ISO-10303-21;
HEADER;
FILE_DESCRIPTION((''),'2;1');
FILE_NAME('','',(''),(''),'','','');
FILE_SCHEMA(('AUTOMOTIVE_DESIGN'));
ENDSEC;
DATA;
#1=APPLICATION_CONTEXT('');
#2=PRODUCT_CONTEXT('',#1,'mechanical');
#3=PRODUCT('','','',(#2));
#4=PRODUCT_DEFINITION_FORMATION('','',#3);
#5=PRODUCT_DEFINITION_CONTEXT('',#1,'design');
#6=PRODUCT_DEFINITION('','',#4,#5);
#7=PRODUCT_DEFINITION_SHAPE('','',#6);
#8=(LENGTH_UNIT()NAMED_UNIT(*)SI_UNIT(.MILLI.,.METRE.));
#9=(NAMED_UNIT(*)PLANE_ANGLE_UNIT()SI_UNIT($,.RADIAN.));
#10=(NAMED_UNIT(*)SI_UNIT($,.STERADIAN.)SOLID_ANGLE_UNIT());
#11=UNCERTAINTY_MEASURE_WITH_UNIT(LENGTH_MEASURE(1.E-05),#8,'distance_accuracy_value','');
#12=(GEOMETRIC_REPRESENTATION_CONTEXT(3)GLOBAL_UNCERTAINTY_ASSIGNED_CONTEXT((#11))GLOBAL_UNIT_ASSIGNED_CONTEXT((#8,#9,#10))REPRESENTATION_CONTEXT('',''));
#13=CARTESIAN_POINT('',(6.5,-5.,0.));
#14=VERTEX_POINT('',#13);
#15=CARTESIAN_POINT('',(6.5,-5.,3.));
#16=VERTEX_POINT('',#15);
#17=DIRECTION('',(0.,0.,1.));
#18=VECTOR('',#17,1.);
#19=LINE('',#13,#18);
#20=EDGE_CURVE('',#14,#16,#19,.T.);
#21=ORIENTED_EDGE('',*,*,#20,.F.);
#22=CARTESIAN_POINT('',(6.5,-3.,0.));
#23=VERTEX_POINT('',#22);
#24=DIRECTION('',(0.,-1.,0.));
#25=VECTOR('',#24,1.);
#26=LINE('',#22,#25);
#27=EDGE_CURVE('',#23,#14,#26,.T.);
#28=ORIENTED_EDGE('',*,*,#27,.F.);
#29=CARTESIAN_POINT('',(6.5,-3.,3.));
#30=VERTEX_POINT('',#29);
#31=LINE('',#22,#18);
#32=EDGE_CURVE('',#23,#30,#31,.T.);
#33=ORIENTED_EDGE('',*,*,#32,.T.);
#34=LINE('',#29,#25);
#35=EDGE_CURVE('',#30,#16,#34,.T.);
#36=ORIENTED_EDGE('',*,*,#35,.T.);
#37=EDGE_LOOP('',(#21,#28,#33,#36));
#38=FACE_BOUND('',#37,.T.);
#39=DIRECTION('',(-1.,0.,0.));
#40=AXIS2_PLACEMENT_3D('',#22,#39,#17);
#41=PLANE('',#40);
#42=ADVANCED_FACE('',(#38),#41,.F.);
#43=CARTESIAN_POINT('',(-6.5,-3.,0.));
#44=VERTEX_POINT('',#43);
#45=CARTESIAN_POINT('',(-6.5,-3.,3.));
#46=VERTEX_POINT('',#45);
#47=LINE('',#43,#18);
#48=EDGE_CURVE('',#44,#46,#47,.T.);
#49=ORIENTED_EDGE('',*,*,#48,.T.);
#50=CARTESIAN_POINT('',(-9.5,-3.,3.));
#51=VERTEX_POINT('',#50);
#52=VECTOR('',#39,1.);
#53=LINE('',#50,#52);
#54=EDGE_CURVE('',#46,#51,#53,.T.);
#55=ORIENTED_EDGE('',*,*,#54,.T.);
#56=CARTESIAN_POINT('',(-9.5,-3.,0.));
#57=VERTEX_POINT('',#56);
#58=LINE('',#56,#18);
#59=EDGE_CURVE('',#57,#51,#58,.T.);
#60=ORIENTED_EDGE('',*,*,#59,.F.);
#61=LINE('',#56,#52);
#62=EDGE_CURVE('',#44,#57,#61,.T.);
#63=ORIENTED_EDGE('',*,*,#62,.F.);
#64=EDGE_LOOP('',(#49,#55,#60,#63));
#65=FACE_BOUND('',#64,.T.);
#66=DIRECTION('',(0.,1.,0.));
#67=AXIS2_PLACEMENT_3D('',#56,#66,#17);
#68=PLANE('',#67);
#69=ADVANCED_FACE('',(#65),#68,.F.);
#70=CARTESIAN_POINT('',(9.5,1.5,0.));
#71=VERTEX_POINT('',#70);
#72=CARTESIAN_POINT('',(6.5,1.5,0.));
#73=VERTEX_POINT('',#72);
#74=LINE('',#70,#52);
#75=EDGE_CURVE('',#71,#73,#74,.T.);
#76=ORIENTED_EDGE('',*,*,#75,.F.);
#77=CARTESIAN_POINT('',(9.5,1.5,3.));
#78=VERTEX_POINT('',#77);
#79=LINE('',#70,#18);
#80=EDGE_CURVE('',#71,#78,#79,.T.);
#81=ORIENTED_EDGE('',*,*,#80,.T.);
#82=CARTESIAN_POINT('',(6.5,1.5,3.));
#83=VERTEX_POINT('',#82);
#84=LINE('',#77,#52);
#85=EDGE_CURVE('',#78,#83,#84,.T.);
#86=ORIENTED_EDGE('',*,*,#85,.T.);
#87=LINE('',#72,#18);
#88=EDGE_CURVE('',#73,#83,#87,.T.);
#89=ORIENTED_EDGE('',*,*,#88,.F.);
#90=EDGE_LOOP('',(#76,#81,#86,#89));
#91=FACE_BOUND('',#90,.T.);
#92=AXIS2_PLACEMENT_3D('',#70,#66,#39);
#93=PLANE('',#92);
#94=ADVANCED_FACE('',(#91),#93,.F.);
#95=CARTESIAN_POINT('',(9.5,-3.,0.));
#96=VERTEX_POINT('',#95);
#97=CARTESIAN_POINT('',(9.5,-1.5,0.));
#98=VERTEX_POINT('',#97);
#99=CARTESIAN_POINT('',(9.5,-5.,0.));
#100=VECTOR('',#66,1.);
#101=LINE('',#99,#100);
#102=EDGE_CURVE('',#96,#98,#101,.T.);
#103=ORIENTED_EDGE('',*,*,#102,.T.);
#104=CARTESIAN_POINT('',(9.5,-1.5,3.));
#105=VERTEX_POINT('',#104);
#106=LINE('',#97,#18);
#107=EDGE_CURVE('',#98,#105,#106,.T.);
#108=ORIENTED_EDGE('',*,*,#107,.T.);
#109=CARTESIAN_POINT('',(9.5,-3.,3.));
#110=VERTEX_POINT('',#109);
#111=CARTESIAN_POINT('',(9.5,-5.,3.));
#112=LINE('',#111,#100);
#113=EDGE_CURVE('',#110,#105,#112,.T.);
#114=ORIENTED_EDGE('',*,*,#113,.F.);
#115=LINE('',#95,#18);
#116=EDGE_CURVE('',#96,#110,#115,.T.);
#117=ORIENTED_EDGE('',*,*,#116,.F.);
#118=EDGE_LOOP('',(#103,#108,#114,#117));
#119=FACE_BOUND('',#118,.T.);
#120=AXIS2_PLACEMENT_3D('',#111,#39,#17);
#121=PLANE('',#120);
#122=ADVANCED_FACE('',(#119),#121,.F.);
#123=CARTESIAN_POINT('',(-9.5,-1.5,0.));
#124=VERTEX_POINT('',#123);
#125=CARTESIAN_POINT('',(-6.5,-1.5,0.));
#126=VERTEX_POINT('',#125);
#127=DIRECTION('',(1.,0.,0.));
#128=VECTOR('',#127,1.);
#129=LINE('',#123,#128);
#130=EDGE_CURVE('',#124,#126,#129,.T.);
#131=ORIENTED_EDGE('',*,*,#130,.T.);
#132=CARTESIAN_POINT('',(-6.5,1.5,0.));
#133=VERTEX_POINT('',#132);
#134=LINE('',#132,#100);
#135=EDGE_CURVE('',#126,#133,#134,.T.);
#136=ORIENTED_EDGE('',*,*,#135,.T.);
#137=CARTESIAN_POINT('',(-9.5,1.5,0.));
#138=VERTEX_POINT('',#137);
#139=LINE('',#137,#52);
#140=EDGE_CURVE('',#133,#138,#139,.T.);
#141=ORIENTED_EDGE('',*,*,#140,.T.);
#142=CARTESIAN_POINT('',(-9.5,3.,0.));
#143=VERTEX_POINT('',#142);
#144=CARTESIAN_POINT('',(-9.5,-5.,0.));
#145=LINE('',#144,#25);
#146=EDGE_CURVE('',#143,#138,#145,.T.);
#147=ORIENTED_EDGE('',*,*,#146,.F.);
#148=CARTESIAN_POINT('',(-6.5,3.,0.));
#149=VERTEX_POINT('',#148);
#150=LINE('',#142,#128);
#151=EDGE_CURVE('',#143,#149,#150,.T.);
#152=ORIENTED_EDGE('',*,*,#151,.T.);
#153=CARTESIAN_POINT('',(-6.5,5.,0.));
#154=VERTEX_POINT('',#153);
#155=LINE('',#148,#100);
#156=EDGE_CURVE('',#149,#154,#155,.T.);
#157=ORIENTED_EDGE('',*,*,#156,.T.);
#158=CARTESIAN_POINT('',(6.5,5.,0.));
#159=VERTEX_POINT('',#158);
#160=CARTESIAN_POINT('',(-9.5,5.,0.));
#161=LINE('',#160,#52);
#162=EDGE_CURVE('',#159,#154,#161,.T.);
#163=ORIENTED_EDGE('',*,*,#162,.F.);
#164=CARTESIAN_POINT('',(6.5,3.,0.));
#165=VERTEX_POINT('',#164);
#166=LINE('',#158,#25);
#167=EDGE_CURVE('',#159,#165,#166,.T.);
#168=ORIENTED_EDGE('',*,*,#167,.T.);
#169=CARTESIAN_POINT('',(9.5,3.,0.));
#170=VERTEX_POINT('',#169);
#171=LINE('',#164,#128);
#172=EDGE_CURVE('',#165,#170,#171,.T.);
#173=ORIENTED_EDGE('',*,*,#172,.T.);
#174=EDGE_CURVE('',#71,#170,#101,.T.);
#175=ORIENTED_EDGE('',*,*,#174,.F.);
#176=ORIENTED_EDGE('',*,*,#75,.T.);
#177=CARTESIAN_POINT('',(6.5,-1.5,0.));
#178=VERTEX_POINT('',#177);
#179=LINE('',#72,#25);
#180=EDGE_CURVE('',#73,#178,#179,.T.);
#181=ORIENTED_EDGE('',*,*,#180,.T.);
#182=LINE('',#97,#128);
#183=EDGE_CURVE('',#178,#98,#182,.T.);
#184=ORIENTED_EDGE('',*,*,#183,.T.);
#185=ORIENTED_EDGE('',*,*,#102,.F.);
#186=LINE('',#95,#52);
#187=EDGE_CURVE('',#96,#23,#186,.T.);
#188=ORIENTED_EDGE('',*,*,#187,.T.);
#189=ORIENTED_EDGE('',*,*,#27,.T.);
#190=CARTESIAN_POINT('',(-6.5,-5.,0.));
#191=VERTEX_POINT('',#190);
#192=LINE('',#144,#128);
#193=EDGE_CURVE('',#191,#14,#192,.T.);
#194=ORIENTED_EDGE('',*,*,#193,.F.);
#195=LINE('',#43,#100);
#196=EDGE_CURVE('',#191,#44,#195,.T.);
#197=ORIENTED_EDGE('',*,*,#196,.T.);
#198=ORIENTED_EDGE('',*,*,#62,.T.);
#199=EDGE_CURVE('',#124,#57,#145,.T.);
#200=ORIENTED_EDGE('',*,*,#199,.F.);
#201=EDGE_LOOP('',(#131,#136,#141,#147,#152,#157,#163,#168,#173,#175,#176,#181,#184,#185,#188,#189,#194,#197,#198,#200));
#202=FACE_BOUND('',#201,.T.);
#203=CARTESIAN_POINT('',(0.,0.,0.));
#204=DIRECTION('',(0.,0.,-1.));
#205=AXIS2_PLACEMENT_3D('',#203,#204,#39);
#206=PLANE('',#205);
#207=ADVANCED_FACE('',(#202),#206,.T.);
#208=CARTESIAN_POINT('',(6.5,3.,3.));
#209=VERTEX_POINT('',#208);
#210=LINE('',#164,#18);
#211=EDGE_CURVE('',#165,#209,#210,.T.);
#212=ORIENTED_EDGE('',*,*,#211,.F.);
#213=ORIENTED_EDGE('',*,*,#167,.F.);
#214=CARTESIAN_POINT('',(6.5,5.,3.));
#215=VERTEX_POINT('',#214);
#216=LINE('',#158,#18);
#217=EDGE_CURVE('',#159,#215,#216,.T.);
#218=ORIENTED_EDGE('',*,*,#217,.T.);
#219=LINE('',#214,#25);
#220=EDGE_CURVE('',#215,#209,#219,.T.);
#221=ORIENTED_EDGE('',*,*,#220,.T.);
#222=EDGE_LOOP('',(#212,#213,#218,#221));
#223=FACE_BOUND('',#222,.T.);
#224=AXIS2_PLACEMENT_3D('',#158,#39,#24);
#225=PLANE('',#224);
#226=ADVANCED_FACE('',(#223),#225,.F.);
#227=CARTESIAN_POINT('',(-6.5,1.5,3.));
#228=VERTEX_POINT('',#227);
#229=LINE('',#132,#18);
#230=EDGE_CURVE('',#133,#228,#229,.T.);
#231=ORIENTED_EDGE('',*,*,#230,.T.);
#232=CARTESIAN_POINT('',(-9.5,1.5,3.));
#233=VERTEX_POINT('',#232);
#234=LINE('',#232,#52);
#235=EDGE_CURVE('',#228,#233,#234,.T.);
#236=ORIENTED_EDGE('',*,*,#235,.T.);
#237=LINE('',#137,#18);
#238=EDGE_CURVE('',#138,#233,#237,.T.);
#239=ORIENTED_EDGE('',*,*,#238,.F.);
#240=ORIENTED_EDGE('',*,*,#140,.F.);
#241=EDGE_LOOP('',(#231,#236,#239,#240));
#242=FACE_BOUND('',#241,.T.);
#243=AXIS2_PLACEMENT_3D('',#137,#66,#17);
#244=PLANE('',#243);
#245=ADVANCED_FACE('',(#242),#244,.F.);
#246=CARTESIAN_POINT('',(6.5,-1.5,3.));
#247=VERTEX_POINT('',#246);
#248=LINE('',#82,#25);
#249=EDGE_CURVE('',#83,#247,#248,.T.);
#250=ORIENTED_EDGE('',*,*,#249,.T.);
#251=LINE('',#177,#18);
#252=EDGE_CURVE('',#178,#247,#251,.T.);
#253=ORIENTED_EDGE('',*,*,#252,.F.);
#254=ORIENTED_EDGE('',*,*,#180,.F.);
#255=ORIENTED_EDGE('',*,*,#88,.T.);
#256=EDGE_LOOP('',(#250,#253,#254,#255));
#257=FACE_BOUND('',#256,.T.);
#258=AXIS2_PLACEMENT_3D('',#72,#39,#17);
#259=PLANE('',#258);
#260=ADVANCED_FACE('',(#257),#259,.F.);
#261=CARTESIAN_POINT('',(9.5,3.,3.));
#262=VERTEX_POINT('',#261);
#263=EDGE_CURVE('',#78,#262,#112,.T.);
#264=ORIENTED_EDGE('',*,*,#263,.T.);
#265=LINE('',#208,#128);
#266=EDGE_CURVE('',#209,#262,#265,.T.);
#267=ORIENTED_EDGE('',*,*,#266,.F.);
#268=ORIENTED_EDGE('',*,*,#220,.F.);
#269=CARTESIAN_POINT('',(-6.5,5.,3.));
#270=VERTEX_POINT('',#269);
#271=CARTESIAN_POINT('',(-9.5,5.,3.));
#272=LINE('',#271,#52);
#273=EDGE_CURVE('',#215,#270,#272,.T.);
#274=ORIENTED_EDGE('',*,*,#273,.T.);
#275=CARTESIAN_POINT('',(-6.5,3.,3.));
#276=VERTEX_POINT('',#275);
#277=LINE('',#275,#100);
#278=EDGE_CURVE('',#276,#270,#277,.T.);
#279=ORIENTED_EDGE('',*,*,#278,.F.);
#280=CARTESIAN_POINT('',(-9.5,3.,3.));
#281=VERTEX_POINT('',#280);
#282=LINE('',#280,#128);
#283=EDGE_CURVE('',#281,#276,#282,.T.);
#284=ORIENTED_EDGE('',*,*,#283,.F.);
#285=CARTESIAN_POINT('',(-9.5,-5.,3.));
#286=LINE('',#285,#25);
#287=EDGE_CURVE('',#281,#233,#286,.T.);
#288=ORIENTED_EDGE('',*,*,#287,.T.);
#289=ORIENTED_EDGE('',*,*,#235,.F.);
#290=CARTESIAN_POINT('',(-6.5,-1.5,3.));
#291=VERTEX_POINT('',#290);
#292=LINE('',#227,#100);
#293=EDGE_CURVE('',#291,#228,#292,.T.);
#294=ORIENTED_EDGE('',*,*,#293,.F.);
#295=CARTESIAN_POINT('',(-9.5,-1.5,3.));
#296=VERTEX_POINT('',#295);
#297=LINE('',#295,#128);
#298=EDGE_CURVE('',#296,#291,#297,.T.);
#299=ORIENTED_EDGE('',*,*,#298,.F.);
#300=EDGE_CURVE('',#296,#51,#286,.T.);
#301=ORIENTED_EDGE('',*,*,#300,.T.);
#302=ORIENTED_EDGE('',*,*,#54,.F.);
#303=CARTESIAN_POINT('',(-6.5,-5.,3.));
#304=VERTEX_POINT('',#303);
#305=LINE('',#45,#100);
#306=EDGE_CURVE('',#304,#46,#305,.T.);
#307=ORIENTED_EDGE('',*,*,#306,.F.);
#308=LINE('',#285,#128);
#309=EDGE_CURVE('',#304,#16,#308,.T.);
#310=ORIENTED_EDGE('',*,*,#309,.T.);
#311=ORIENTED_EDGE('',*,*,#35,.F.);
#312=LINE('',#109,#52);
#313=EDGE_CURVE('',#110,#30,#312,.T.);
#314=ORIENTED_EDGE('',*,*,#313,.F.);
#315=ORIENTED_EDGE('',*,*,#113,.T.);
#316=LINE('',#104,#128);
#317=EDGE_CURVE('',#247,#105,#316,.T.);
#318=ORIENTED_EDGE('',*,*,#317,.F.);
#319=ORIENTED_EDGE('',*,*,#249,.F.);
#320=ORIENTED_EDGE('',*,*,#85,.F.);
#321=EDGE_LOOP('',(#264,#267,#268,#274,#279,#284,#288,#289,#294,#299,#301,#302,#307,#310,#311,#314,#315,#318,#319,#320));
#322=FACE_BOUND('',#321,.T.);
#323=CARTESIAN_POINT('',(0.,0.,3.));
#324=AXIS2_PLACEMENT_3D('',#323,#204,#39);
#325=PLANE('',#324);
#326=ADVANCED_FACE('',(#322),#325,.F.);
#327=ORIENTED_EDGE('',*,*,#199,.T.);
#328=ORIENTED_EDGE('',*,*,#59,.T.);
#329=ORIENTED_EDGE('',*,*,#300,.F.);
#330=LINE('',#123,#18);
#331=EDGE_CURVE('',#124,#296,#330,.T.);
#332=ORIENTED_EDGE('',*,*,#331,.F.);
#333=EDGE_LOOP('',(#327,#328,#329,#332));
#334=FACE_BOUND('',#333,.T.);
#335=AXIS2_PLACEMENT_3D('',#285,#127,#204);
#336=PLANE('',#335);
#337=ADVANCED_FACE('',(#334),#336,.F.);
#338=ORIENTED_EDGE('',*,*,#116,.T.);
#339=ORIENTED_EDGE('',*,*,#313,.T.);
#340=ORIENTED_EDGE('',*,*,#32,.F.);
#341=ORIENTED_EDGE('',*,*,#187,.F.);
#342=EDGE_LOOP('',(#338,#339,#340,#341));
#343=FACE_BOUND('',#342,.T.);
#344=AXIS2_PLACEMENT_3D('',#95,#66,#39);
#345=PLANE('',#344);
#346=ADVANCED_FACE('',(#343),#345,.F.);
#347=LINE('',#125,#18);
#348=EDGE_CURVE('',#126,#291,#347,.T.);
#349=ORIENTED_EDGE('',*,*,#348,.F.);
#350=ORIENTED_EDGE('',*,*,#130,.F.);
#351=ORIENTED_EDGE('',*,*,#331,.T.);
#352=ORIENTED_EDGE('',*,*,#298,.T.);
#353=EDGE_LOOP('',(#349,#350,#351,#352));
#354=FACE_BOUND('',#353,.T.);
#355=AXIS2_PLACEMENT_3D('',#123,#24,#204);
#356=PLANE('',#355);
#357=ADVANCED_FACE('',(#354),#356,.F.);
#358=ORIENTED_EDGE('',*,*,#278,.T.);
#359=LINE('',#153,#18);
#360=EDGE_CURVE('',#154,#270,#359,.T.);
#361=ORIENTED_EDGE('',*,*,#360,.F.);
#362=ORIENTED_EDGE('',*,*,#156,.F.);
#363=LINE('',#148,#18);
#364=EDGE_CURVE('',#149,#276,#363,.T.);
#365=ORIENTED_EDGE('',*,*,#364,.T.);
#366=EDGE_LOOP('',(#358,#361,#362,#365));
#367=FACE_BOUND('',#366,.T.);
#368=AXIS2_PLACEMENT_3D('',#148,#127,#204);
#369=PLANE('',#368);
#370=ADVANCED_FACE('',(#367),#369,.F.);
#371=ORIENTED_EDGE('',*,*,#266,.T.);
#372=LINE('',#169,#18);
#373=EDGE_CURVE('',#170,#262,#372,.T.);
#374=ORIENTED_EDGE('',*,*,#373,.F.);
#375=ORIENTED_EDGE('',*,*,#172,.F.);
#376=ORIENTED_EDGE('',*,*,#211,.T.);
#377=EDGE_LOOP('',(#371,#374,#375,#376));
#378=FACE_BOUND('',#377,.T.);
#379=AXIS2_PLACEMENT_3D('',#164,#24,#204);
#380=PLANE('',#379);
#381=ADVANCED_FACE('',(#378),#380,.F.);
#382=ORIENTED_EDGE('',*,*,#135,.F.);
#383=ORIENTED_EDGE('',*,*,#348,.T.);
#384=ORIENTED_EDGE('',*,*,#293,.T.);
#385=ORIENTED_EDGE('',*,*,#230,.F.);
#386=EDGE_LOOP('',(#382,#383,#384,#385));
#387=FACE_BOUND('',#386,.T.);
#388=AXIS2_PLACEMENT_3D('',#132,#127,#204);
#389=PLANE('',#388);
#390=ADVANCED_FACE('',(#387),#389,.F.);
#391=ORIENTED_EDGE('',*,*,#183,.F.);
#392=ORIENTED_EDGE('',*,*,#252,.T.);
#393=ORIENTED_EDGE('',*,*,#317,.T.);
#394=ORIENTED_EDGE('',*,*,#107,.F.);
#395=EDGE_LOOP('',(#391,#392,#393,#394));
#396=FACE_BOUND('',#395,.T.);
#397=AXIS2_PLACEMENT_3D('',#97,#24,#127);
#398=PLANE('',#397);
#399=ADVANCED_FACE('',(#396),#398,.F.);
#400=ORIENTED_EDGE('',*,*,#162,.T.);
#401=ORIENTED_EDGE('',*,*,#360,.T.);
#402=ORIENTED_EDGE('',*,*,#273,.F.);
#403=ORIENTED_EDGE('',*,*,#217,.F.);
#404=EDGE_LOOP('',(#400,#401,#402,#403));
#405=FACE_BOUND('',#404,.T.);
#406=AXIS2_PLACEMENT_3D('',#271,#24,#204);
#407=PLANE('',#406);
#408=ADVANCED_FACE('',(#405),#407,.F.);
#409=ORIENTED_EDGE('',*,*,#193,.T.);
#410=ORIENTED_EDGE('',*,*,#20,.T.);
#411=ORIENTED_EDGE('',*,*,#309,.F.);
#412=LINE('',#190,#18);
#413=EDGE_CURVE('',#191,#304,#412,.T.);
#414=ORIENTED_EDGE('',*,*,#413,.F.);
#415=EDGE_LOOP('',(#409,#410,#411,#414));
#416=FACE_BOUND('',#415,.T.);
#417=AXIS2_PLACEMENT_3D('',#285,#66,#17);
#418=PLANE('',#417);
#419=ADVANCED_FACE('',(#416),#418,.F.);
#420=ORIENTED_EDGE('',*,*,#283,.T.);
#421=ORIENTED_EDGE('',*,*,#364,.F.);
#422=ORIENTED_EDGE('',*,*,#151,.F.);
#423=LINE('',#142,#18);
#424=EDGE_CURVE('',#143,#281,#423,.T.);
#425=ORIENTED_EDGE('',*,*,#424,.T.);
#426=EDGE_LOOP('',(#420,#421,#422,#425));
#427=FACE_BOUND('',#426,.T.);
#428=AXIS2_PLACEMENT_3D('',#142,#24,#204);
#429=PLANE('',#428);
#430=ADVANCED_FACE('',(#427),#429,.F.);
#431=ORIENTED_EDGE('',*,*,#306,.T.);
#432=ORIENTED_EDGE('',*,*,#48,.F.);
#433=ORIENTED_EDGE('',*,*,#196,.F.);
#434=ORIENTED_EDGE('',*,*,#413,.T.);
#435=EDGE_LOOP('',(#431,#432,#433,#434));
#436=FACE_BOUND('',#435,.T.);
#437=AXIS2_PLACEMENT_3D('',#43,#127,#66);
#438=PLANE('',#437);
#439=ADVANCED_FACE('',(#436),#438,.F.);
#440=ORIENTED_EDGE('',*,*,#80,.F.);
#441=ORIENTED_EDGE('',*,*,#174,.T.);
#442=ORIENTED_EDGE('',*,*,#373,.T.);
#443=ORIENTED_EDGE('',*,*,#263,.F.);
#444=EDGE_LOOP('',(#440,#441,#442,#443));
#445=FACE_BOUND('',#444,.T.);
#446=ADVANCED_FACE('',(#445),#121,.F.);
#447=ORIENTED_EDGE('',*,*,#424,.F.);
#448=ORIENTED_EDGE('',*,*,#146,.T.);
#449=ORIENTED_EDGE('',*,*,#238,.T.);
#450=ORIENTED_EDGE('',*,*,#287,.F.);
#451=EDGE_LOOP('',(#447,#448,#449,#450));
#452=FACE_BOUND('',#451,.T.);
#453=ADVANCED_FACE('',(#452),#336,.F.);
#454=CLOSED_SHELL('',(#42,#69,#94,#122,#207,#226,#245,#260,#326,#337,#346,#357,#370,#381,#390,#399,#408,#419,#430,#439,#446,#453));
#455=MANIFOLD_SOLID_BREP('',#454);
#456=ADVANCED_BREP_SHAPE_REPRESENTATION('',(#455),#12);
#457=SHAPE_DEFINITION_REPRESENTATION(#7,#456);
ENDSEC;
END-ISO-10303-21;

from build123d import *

# Parameters (mm, degrees)
SKETCH1_W           = 19
SKETCH1_H           = 10
BOSS_EXTRUDE1_DEPTH = 3
SKETCH2_W           = 3
SKETCH2_H           = 2
SKETCH2_H_2         = 3
CUT_EXTRUDE1_DEPTH  = 3
SKETCH3_W           = 3
SKETCH3_H           = 2
SKETCH3_H_2         = 3
CUT_EXTRUDE2_DEPTH  = 3


with BuildPart() as part:
    # Sketch1 → Boss-Extrude1 (new body)
    with BuildSketch(Plane.XY):
        Rectangle(SKETCH1_W, SKETCH1_H)
    extrude(amount=BOSS_EXTRUDE1_DEPTH)

    # Sketch2 → Cut-Extrude1 (cut)
    with BuildSketch(Plane.XY.offset(3)):
        with Locations((-8, 4)):
            Rectangle(SKETCH2_W, SKETCH2_H)
        with Locations((-8, 0)):
            Rectangle(SKETCH2_W, SKETCH2_H_2)
        with Locations((-8, -4)):
            Rectangle(SKETCH2_W, SKETCH2_H)
    extrude(amount=-CUT_EXTRUDE1_DEPTH, mode=Mode.SUBTRACT)

    # Sketch3 → Cut-Extrude2 (cut)
    with BuildSketch(Plane.XY.offset(3)):
        with Locations((8, 4)):
            Rectangle(SKETCH3_W, SKETCH3_H)
        with Locations((8, 0)):
            Rectangle(SKETCH3_W, SKETCH3_H_2)
        with Locations((8, -4)):
            Rectangle(SKETCH3_W, SKETCH3_H)
    extrude(amount=-CUT_EXTRUDE2_DEPTH, mode=Mode.SUBTRACT)


solid = part.part
